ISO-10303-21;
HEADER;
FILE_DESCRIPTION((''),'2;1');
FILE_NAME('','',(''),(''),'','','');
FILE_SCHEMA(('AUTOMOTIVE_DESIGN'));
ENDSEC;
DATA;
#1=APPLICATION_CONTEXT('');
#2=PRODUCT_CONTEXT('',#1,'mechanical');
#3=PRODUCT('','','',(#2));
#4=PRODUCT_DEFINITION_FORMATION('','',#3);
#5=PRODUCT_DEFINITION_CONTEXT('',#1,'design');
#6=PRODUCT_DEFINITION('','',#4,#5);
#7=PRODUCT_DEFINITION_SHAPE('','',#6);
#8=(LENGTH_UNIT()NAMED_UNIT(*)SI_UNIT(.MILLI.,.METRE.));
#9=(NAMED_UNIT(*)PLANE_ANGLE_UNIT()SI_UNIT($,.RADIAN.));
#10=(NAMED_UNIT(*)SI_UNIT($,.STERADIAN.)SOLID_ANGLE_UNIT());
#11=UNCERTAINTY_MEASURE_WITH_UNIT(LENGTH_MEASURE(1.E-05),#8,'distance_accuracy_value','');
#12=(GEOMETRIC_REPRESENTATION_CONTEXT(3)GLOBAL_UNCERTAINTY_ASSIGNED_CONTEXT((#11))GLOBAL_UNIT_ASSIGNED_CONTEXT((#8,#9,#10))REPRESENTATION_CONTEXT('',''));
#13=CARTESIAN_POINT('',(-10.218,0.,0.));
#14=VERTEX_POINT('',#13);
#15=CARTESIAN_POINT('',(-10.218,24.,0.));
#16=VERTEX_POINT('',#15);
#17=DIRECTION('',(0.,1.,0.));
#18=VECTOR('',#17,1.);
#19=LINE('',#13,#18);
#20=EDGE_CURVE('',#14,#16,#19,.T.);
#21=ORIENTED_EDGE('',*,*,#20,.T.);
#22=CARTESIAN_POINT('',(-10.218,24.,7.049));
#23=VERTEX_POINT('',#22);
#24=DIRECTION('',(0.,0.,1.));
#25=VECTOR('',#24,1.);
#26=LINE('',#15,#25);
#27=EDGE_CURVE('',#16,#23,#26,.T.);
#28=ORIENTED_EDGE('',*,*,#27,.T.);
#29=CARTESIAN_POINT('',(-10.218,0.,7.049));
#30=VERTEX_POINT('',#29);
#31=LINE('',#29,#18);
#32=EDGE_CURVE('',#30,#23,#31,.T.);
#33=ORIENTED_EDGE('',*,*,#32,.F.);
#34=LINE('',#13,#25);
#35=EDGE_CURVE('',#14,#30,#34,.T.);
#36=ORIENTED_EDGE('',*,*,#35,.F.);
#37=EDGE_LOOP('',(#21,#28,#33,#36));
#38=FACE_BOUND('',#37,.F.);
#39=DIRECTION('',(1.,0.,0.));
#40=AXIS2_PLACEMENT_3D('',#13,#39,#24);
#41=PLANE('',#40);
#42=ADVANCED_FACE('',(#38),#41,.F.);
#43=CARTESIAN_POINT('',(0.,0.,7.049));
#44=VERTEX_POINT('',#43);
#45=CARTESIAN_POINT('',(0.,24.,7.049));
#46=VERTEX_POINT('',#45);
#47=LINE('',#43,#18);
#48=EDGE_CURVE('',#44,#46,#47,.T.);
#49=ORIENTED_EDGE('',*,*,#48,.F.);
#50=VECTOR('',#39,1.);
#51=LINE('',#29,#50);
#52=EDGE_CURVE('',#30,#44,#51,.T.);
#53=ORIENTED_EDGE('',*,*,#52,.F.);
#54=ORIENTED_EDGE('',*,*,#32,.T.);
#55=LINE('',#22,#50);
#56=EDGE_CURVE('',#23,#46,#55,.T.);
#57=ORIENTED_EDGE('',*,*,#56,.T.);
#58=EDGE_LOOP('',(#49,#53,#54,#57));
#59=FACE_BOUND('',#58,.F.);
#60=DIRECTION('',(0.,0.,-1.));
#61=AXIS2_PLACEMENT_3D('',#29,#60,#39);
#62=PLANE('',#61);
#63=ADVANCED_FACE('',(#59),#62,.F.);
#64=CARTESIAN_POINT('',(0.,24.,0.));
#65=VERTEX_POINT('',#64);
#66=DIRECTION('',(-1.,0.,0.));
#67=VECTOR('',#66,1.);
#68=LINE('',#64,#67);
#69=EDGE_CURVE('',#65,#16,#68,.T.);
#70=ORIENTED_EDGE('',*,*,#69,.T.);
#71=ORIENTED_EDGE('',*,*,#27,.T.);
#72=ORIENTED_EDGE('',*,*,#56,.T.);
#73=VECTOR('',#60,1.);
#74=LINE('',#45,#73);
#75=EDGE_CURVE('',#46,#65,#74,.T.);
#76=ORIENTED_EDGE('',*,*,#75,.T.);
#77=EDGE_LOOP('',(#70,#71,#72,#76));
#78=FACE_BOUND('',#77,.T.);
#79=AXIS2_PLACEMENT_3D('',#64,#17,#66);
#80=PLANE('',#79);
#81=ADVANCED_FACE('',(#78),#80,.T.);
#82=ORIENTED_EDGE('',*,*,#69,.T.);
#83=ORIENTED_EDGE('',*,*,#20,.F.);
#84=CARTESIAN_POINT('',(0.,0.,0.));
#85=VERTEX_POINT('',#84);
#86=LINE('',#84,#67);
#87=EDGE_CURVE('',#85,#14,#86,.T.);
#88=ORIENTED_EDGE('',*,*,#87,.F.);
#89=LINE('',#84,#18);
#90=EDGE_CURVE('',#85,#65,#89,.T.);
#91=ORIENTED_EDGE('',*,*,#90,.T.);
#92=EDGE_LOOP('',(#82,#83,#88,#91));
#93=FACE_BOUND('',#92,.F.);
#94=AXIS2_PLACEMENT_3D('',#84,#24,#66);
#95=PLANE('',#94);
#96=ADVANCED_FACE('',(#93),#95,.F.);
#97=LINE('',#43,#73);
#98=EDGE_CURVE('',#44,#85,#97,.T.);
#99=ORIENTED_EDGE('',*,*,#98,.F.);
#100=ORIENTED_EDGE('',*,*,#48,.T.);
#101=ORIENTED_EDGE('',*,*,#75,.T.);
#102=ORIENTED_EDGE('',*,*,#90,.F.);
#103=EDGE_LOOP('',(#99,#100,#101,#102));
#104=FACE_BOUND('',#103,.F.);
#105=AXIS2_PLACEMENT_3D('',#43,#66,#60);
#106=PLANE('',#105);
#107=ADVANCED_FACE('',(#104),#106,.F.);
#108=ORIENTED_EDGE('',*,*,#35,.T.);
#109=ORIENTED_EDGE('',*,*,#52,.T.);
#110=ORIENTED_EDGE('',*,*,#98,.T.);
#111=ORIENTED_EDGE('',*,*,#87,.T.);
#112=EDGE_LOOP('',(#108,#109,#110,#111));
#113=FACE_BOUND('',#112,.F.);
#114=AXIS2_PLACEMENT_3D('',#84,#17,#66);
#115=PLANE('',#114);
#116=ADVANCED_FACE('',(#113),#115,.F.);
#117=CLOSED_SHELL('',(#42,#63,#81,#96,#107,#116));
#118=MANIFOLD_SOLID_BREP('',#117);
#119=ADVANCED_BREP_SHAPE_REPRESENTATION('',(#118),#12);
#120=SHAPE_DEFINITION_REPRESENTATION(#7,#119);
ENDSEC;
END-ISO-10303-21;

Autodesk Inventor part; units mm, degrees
ref_plane "YZ Plane" through (0, 0, 0) normal (1, 0, 0) x (0, 1, 0)
ref_plane "XZ Plane" through (0, 0, 0) normal (0, 1, 0) x (-1, 0, 0)
ref_plane "XY Plane" through (0, 0, 0) normal (0, 0, 1) x (1, 0, 0)
sketch "스케치1" plane through (0, 0, 0) normal (0, 1, 0) x (-1, 0, 0)
  line L0 (0, 0) -> (10.218, 0)
  line L1 (10.218, 0) -> (10.218, 7.049)
  line L2 (10.218, 7.049) -> (0, 7.049)
  line L3 (0, 7.049) -> (0, 0)
  dimension "d0" = 10.218
  dimension "d1" = 7.049
extrude "돌출1" add sketch "스케치1" along normal blind 24
properties part number "부피 구하기6"
